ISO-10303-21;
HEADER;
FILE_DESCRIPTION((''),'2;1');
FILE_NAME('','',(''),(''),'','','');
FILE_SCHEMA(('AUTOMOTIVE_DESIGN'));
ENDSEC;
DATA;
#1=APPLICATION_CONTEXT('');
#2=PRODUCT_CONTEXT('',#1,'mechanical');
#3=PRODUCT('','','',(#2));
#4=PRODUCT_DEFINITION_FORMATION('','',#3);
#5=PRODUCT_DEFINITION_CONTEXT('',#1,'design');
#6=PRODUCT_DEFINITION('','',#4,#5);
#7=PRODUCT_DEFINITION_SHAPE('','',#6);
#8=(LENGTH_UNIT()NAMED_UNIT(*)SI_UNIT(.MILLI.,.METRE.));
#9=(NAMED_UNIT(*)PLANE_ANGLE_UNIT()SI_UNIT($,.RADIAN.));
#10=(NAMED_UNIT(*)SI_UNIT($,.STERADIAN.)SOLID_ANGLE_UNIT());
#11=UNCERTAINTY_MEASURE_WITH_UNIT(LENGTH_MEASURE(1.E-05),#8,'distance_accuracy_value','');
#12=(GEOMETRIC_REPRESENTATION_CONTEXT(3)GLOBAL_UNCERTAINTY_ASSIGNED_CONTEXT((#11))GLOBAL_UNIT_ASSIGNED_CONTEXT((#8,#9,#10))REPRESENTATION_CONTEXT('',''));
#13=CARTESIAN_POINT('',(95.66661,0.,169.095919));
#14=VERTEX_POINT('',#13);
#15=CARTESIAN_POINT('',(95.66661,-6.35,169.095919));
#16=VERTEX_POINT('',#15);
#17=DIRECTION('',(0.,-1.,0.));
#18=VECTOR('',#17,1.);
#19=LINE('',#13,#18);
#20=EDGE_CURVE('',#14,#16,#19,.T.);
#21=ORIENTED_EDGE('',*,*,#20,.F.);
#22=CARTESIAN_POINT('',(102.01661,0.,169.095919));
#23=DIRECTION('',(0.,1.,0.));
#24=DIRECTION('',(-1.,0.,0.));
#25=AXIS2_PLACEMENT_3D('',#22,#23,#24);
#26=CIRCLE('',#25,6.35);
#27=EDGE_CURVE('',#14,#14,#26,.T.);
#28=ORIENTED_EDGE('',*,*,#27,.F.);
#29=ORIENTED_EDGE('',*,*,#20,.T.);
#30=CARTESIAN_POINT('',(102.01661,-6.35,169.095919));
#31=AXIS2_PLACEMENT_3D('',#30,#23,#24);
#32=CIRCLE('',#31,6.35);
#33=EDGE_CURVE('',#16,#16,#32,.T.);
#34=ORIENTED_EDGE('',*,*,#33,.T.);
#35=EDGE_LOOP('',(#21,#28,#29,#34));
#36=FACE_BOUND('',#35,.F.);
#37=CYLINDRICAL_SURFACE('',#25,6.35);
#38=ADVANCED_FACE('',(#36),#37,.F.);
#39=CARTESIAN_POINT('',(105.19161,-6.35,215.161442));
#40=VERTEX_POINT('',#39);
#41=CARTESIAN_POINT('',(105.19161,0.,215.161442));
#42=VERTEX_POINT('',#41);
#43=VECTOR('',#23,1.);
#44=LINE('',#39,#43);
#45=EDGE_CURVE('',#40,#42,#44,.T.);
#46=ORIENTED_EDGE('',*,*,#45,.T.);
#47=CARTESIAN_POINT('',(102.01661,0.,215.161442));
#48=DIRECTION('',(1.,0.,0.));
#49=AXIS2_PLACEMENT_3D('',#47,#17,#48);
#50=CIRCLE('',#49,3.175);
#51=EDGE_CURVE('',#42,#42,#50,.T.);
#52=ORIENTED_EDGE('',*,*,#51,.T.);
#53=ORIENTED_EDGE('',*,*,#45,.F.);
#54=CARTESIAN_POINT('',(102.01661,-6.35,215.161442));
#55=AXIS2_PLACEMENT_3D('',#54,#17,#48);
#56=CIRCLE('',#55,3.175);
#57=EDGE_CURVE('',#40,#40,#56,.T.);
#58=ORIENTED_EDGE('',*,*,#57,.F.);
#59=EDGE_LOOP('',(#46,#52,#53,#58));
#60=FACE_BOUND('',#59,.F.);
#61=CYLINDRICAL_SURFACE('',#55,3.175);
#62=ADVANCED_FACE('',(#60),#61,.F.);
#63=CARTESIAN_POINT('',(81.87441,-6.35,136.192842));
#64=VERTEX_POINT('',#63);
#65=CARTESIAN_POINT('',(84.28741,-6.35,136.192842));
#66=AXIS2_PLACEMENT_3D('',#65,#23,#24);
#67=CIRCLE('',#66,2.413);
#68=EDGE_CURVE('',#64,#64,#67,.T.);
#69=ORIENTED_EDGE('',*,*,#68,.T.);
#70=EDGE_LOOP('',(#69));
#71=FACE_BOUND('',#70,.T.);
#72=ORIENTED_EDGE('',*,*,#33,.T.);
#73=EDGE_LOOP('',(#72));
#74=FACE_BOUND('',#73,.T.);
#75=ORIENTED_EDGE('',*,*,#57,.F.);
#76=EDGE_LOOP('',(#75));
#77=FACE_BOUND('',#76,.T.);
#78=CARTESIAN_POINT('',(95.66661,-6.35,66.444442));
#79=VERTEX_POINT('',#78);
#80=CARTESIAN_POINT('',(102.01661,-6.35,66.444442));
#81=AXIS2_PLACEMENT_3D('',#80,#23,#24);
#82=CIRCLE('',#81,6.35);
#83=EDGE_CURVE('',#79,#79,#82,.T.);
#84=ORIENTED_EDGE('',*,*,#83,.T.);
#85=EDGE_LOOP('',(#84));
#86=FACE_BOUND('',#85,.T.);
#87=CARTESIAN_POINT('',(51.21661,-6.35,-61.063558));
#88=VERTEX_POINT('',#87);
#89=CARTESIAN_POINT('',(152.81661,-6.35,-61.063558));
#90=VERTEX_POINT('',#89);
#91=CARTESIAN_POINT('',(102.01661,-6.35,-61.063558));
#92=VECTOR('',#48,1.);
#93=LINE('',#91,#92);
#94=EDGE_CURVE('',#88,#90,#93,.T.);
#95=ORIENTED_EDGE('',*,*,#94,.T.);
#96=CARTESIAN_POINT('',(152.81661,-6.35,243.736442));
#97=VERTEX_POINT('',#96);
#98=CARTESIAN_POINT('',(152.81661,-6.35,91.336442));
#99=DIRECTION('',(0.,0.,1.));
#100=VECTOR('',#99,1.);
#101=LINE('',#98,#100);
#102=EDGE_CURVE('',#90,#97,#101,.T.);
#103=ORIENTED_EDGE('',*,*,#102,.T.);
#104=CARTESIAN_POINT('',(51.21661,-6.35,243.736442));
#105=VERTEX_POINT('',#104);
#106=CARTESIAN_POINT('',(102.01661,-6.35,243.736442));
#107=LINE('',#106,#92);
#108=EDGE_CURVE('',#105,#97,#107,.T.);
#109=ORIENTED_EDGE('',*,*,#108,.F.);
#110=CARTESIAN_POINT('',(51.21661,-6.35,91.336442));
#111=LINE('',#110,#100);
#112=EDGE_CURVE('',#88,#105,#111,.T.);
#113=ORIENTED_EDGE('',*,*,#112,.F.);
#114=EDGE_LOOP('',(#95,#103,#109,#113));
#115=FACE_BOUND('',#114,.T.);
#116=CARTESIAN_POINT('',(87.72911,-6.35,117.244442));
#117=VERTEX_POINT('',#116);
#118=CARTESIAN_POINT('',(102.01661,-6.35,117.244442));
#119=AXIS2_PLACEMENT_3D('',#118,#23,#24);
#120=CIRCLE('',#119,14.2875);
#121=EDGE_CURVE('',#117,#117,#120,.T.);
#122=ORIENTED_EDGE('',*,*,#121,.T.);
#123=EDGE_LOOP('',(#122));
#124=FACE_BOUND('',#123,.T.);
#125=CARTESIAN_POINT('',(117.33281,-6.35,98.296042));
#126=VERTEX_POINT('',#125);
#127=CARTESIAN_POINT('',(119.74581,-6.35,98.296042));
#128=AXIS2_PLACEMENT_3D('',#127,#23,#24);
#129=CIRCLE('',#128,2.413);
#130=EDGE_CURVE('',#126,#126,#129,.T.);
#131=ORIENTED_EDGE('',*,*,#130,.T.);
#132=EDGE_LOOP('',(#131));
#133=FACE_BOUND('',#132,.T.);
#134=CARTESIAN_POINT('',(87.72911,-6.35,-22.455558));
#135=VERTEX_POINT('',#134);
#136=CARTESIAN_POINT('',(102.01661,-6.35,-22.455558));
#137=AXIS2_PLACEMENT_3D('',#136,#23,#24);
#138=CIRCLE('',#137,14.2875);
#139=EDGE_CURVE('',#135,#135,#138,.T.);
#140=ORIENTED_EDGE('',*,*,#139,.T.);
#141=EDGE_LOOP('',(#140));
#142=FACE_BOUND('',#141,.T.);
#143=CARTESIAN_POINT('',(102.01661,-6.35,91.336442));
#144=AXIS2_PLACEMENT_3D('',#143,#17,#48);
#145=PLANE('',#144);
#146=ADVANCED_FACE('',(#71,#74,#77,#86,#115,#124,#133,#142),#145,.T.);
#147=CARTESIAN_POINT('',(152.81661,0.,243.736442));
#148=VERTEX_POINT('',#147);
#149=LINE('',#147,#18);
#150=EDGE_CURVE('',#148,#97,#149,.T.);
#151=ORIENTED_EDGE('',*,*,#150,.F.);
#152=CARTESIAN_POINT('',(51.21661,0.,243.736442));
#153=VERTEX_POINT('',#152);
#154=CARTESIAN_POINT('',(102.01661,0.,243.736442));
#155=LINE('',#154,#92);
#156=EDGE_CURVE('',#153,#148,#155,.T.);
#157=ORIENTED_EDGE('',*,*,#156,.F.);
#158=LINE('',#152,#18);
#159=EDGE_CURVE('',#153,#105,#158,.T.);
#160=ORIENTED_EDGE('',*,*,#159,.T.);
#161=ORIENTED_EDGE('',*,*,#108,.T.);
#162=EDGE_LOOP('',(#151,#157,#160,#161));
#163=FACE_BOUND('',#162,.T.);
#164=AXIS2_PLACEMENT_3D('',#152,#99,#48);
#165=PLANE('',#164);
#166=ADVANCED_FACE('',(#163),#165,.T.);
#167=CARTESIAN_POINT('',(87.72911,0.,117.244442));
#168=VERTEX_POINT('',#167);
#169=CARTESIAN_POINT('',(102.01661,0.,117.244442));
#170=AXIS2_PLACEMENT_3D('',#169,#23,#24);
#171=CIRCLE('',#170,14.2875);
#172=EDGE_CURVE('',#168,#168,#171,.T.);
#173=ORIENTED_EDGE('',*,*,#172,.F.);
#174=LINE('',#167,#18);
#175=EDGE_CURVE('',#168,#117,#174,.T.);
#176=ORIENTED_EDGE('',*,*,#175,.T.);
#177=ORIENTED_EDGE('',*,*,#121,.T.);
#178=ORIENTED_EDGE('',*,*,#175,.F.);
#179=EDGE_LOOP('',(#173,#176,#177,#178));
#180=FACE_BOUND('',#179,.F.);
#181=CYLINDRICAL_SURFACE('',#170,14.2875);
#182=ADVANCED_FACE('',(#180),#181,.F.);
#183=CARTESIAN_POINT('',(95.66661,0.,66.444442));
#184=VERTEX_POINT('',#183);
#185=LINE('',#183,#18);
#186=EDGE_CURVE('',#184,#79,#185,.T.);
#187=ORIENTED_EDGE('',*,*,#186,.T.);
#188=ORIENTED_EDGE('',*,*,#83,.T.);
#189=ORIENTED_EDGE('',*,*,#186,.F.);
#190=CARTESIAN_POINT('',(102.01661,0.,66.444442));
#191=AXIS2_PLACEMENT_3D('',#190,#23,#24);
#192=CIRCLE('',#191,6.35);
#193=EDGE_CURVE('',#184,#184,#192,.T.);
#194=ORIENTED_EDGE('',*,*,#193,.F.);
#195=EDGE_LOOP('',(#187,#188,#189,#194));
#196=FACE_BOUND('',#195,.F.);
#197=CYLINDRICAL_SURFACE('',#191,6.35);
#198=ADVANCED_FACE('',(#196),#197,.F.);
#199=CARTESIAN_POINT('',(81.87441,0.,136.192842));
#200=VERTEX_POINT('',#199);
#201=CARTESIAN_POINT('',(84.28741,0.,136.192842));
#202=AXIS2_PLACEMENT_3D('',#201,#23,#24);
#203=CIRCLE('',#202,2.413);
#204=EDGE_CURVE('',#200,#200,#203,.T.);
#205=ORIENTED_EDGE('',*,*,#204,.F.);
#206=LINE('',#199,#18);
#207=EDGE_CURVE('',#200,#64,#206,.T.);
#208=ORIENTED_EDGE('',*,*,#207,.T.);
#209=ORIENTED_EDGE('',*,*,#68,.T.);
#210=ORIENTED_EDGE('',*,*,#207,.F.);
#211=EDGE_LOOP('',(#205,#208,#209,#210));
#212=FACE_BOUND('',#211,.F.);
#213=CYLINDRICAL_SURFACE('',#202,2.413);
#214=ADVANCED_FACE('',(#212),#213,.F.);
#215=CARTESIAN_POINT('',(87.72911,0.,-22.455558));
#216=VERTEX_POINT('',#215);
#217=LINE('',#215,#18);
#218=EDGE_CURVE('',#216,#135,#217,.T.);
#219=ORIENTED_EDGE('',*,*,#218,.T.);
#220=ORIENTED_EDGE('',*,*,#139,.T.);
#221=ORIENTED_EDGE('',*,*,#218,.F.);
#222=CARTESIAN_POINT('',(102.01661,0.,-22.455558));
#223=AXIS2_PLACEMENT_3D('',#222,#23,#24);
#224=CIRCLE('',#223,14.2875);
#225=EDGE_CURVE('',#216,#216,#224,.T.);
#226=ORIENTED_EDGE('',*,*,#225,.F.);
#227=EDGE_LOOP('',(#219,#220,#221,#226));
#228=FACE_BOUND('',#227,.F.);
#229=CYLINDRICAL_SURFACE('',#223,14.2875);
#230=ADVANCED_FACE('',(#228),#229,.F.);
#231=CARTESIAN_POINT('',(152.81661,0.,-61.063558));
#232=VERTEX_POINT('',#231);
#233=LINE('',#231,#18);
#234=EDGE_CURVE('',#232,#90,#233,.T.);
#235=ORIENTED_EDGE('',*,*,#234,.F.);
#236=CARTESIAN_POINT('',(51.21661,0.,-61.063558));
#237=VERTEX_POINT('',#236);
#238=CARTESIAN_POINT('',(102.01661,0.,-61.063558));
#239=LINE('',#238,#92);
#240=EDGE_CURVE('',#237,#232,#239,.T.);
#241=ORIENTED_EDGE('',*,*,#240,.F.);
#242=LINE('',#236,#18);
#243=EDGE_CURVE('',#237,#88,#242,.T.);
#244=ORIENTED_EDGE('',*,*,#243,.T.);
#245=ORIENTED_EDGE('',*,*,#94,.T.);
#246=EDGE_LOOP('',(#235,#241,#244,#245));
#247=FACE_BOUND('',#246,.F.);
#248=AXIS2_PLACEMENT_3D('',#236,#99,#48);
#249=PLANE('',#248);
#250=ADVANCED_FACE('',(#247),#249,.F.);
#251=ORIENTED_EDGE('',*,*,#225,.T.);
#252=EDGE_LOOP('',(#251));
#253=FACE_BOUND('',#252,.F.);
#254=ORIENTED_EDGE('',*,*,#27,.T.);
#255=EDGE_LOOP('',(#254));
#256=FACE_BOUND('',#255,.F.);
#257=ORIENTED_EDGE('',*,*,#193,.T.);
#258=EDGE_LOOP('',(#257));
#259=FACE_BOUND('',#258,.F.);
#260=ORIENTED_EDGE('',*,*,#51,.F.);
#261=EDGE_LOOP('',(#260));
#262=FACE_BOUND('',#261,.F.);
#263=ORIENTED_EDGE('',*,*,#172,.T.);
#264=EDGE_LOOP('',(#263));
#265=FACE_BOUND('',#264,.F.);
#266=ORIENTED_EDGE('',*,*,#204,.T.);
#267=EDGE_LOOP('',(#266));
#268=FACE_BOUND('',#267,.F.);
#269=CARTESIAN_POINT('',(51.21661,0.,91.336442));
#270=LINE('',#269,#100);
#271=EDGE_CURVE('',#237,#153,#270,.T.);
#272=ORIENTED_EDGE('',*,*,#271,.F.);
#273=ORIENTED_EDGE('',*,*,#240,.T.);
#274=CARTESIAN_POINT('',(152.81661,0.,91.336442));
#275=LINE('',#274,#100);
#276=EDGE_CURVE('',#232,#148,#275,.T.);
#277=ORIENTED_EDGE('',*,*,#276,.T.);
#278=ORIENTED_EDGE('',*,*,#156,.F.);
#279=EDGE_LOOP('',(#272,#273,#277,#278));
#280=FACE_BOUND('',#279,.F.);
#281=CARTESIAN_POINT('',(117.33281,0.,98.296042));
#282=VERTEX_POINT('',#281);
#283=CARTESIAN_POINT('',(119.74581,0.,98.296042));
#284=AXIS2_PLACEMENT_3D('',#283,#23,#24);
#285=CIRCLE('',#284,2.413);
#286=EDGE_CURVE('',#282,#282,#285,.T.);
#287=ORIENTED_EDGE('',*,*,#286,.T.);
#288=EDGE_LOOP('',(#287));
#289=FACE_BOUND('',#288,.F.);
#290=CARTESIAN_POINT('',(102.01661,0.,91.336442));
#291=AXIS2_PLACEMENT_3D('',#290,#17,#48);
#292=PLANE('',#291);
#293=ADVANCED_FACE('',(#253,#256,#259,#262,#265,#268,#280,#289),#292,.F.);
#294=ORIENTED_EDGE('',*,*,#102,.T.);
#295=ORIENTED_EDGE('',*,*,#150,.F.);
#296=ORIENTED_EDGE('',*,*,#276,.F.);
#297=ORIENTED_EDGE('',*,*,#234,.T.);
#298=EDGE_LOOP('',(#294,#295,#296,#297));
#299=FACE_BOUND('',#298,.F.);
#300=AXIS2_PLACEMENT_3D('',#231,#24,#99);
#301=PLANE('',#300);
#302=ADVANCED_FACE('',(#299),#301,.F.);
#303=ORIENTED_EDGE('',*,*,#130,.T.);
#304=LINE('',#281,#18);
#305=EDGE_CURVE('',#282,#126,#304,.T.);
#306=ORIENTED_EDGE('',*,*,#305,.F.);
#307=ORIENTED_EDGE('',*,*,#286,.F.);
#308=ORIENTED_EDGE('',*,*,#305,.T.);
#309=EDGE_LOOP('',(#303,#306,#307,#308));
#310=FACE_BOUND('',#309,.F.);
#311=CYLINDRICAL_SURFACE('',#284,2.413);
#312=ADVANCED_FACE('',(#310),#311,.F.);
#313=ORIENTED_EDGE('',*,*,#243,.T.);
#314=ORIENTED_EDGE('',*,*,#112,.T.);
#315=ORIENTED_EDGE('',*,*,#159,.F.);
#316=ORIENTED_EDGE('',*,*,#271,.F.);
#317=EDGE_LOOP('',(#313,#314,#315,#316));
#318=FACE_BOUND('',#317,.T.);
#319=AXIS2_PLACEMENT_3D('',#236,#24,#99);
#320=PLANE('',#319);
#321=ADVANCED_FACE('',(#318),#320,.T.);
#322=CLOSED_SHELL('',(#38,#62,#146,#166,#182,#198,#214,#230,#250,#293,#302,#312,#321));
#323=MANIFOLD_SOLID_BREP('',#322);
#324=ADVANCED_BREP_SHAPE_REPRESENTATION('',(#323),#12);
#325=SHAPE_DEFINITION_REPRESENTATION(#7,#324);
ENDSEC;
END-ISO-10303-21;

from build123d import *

# Parameters (mm, degrees)
F0_W      = 101.6
F0_H      = 304.8
F1_DEPTH  = 6.35
F2_R      = 3.175
F3_DEPTH  = 6.35
F4_R      = 14.2875
F5_DEPTH  = 6.35
F6_R      = 14.2875
F7_DEPTH  = 6.35
F8_R      = 2.413
F9_DEPTH  = 6.35
F10_R     = 6.35
F11_DEPTH = 6.35


with BuildPart() as f1:
    # F0 (on Front) → F1 (new body)
    with BuildSketch(Plane.XZ):
        with Locations((102.01661, 91.336442)):
            Rectangle(F0_W, F0_H)
    extrude(amount=F1_DEPTH)

    # F2 (on face) → F3 (cut)
    with BuildSketch(Plane.XZ.offset(6.35)):
        with Locations((102.01661, 215.161442)):
            Circle(F2_R)
    extrude(amount=-F3_DEPTH, mode=Mode.SUBTRACT)

    # F4 (on face) → F5 (cut)
    with BuildSketch(Plane(origin=(0, 0, 0), x_dir=(-1, 0, 0), z_dir=(0, 1, 0))):
        with Locations((-102.01661, -22.455558)):
            Circle(F4_R)
    extrude(amount=-F5_DEPTH, mode=Mode.SUBTRACT)

    # F6 (on face) → F7 (cut)
    with BuildSketch(Plane(origin=(0, 0, 0), x_dir=(-1, 0, 0), z_dir=(0, 1, 0))):
        with Locations((-102.01661, 117.244442)):
            Circle(F6_R)
    extrude(amount=-F7_DEPTH, mode=Mode.SUBTRACT)

    # F8 (on face) → F9 (cut)
    with BuildSketch(Plane(origin=(0, 0, 0), x_dir=(-1, 0, 0), z_dir=(0, 1, 0))):
        with Locations((-84.28741, 136.192842)):
            Circle(F8_R)
        with Locations((-119.74581, 98.296042)):
            Circle(F8_R)
    extrude(amount=-F9_DEPTH, mode=Mode.SUBTRACT)

    # F10 (on face) → F11 (cut)
    with BuildSketch(Plane(origin=(0, 0, 0), x_dir=(-1, 0, 0), z_dir=(0, 1, 0))):
        with Locations((-102.01661, 66.444442)):
            Circle(F10_R)
        with Locations((-102.01661, 169.095919)):
            Circle(F10_R)
    extrude(amount=-F11_DEPTH, mode=Mode.SUBTRACT)


solid = f1.part
